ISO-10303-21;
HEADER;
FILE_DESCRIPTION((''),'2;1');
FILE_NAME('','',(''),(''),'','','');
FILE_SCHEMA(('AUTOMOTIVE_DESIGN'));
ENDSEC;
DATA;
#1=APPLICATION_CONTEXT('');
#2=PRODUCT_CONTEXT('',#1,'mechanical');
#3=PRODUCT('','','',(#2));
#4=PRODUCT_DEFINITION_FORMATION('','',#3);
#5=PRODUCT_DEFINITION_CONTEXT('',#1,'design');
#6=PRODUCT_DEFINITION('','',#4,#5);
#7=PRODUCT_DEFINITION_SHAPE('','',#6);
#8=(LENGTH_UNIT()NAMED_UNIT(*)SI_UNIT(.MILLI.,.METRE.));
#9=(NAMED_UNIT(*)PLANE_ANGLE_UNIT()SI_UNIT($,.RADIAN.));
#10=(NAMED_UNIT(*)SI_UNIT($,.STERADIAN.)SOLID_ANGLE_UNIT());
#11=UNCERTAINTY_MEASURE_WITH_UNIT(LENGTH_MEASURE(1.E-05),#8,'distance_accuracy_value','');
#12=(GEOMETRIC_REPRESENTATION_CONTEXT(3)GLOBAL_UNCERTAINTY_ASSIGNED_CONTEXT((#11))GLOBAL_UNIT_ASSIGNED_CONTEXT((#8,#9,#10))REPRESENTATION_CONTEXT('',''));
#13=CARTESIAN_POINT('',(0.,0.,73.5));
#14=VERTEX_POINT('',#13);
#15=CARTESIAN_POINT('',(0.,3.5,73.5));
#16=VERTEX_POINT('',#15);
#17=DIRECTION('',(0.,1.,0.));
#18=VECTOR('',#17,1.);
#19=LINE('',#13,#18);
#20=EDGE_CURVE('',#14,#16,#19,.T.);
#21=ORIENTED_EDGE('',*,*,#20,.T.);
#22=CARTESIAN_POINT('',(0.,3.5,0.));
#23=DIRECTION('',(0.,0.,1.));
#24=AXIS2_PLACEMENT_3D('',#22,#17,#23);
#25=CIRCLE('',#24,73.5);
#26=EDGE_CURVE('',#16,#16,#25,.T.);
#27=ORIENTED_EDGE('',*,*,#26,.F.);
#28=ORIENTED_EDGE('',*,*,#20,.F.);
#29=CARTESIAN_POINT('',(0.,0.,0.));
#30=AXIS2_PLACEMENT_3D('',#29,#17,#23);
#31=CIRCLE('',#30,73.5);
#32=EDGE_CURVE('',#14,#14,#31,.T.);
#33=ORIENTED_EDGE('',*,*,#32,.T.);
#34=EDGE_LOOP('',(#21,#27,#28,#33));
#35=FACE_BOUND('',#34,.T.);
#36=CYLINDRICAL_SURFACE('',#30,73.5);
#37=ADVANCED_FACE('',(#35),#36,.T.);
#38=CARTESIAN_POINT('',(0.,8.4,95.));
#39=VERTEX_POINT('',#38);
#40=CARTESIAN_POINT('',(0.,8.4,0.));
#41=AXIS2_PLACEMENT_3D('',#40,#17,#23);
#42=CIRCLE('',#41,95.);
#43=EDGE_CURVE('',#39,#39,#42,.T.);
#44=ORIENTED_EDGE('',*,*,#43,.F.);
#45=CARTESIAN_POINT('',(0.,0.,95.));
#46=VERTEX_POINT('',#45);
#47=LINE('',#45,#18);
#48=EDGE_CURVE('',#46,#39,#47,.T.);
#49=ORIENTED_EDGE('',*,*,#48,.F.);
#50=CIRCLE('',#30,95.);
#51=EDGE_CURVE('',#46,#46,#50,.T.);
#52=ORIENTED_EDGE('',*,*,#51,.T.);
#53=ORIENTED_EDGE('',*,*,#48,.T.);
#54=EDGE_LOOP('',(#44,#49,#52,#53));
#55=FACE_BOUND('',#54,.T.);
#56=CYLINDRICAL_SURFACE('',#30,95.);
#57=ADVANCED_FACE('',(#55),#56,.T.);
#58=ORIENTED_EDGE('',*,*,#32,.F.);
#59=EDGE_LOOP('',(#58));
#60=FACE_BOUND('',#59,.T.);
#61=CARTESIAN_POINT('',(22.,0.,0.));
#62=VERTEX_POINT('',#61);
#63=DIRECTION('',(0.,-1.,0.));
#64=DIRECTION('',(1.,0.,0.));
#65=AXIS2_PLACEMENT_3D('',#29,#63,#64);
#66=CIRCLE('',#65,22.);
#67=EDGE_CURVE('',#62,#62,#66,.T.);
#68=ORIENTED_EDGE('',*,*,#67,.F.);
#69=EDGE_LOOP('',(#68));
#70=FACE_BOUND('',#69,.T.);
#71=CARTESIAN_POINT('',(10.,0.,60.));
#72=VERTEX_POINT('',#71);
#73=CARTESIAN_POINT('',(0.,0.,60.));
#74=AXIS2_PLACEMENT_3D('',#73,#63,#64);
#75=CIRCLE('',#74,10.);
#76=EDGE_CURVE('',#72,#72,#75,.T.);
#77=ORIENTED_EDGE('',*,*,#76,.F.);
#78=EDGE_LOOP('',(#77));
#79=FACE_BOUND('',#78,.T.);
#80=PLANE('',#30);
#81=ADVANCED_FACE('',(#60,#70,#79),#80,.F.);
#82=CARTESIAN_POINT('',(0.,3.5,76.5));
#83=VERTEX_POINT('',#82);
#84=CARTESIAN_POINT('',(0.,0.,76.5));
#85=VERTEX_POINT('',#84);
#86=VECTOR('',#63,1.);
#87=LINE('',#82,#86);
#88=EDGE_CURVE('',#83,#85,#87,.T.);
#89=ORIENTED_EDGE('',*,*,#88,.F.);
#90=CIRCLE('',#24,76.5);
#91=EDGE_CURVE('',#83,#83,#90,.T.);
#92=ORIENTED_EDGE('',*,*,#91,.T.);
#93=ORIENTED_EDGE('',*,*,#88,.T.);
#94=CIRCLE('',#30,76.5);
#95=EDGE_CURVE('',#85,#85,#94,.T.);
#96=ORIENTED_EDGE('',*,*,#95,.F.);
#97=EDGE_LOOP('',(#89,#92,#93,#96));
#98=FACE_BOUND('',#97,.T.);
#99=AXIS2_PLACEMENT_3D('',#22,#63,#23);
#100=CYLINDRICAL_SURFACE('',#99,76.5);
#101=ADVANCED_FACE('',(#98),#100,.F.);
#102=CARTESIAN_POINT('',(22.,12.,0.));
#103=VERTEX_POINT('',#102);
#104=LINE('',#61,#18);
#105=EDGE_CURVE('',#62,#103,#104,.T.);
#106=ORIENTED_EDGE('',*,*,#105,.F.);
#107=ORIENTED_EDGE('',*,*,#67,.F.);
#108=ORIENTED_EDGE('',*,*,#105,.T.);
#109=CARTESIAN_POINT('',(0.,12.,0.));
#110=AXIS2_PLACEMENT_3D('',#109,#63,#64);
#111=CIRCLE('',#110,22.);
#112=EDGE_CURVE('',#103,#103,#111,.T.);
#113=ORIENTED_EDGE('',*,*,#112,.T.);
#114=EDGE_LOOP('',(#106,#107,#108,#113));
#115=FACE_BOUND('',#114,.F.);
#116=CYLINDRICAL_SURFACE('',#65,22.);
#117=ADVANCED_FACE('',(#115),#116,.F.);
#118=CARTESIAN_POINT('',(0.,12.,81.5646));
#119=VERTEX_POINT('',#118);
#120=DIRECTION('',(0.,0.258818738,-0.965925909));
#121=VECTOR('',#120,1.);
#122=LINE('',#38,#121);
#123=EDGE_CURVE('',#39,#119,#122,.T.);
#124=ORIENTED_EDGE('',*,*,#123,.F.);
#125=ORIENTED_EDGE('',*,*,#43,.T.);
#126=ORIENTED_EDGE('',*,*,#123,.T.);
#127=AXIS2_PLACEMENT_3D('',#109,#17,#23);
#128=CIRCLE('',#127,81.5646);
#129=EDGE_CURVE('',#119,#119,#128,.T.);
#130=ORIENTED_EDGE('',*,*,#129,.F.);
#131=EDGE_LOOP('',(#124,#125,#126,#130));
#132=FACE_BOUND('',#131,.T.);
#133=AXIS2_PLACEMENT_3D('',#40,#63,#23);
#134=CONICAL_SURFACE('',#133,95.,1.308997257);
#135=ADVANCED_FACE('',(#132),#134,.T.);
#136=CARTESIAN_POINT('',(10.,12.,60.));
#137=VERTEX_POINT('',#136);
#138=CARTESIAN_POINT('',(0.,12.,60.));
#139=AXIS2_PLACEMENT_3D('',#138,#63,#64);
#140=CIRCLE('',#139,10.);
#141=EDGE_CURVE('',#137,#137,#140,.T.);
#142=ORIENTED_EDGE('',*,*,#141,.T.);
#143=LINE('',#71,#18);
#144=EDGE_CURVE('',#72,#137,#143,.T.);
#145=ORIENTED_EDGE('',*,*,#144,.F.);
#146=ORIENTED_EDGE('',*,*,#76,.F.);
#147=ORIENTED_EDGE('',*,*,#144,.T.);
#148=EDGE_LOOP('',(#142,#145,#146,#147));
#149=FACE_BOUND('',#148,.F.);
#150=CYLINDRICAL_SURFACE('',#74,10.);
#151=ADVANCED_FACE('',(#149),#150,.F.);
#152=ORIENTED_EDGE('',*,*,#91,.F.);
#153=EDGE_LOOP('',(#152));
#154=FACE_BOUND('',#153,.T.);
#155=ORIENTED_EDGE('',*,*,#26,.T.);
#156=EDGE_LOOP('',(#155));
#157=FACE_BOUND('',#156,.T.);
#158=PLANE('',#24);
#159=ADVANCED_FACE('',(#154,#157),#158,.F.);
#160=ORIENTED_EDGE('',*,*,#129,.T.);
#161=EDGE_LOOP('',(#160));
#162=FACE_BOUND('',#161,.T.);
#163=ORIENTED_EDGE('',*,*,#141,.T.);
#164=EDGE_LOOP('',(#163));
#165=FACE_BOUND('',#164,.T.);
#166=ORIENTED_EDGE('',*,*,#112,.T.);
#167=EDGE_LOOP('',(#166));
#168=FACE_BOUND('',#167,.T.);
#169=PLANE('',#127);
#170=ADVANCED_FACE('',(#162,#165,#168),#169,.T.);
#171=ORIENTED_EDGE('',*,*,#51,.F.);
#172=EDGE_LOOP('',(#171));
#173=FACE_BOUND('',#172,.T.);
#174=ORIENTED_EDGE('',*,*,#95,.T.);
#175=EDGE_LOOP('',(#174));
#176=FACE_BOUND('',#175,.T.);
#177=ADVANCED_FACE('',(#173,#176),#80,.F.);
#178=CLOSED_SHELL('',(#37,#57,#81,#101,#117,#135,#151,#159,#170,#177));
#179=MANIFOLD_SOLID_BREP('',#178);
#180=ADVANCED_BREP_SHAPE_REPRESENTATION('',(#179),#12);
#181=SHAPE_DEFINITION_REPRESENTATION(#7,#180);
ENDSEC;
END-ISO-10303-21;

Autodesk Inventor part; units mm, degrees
ref_plane "YZ Plane" through (0, 0, 0) normal (1, 0, 0) x (0, 1, 0)
ref_plane "XZ Plane" through (0, 0, 0) normal (0, 1, 0) x (-1, 0, 0)
ref_plane "XY Plane" through (0, 0, 0) normal (0, 0, 1) x (1, 0, 0)
sketch "Sketch1" plane through (0, 0, 0) normal (1, 0, 0) x (0, 1, 0)
  line L0 (0, 95) -> (8.4, 95)
  line L1 (8.4, 95) -> (12, 81.5646)
  line L2 (12, 81.5646) -> (12, 0)
  line L3 (12, 0) -> (0, 0)
  line L4 (0, 0) -> (0, 73.5)
  line L5 (0, 73.5) -> (3.5, 73.5)
  line L6 (3.5, 73.5) -> (3.5, 76.5)
  line L7 (3.5, 76.5) -> (0, 76.5)
  line L8 (0, 76.5) -> (0, 95)
  line L9 (0, 114) -> (0, -19) construction
  line L10 (-2.4, 0) -> (14.4, 0) projected
  dimension "d0" = 95
  dimension "d1" = 12
  dimension "d2" = 8.4
  dimension "d3" = 3.5
  dimension "d4" = 3
  dimension "d5" = 73.5
  dimension "d6" = 165
revolve "Revolution1" add sketch "Sketch1" angle 360 about axis through (0, -10, 0) along (0, 1, 0)
sketch "Sketch2" plane through (0, 0, 0) normal (0, -1, 0) x (1, 0, 0)
  circle A0 centre (0, 0) radius 81.5646 projected
  circle A1 centre (0, 0) radius 22
  circle A2 centre (0, 60) radius 10
  dimension "d8" = 44
  dimension "d9" = 20
  dimension "d10" = 60
extrude "Extrusion1" cut sketch "Sketch2" against normal through all contours A1 | A2
properties part number "top_flange"
